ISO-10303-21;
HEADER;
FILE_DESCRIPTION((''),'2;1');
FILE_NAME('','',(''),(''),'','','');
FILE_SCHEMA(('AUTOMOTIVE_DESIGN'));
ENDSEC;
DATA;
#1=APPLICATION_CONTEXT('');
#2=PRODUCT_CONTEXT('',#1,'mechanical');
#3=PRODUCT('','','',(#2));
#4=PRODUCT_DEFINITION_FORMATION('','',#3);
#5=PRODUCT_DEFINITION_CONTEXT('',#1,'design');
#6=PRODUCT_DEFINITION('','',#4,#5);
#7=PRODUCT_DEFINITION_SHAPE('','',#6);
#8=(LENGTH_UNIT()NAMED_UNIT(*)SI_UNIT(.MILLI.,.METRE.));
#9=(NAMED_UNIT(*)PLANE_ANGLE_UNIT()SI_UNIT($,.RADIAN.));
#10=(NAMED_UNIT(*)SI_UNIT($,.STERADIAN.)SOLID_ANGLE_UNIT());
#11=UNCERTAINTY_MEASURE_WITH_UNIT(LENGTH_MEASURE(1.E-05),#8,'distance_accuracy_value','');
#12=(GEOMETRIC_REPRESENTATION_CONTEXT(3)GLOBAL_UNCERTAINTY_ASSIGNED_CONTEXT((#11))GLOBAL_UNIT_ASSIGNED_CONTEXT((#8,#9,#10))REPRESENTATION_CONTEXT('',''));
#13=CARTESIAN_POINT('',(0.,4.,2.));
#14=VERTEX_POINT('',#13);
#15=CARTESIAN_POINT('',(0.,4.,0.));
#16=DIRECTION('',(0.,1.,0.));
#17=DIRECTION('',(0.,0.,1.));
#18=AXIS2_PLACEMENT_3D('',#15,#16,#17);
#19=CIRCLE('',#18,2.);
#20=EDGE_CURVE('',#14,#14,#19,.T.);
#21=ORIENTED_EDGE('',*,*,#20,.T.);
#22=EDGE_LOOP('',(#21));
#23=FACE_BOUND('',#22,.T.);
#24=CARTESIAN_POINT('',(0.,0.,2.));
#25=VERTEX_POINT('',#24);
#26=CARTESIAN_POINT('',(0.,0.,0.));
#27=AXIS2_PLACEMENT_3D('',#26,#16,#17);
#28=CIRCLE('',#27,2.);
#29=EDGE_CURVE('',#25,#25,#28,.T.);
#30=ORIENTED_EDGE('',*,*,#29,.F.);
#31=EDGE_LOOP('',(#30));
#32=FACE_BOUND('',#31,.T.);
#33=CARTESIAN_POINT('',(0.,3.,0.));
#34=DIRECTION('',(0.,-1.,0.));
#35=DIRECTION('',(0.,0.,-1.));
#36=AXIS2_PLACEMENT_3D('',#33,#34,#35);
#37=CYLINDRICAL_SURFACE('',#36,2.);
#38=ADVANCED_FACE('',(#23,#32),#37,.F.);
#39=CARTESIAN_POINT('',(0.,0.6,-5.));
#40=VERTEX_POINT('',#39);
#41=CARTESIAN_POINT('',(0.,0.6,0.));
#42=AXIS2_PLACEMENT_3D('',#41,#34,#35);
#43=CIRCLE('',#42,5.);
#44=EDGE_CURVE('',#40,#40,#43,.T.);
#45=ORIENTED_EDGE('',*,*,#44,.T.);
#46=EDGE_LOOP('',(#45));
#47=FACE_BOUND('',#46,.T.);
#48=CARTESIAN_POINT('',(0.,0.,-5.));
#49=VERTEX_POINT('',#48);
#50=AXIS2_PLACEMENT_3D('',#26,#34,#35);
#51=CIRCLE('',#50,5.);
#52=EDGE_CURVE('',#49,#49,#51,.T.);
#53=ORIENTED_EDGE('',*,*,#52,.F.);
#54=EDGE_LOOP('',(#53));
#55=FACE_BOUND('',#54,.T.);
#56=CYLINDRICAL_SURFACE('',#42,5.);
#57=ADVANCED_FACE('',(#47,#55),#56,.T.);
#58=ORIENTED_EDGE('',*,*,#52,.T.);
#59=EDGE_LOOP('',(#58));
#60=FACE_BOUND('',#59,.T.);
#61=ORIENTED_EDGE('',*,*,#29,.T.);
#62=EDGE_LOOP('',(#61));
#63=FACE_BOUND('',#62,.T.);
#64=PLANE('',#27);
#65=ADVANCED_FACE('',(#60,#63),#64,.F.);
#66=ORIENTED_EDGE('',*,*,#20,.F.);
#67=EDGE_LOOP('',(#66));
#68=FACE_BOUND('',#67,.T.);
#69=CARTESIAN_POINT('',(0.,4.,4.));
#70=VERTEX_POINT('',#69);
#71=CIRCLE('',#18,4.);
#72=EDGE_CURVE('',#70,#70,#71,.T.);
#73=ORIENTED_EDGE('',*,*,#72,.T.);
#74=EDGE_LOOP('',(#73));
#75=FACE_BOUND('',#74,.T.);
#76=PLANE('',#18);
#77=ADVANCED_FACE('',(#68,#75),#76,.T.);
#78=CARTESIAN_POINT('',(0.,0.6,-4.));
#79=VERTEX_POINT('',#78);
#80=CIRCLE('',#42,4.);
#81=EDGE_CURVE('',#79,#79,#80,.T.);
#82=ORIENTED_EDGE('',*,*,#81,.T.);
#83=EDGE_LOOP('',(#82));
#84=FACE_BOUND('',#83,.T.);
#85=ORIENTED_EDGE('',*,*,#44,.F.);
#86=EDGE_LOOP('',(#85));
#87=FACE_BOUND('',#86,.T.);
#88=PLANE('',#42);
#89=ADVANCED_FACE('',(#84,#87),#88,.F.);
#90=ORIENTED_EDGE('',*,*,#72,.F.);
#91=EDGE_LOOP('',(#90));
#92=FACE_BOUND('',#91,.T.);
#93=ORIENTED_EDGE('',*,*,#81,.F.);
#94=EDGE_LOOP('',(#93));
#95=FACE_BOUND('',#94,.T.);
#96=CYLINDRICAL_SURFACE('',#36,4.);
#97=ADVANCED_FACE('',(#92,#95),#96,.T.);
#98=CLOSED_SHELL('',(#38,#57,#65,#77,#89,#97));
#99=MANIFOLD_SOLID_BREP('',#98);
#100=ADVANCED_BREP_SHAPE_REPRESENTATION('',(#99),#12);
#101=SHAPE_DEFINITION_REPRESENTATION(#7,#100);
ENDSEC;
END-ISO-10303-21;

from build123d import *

# Parameters (mm, degrees)
SKETCH_1_R      = 4
SKETCH_1_R_2    = 2
EXTRUDE_1_DEPTH = 3
SKETCH_2_R      = 5
SKETCH_2_R_2    = 2
EXTRUDE_2_DEPTH = 0.6
SKETCH_3_R      = 4
SKETCH_3_R_2    = 2
EXTRUDE_3_DEPTH = 1


with BuildPart() as part:
    # 草图1 → 凸台-拉伸1 (new body)
    with BuildSketch(Plane(origin=(0, 0, 0), x_dir=(1, 0, 0), z_dir=(0, 1, 0))):
        with Locations(Location((0, 0, 0), (0, 0, 270))):
            Circle(SKETCH_1_R)
        with Locations(Location((0, 0, 0), (0, 0, 270))):
            Circle(SKETCH_1_R_2, mode=Mode.SUBTRACT)
    extrude(amount=EXTRUDE_1_DEPTH)

    # 草图2 → 凸台-拉伸2 (add)
    with BuildSketch(Plane.XZ):
        with Locations(Location((0, 0, 0), (0, 0, 270))):
            Circle(SKETCH_2_R)
        with Locations(Location((0, 0, 0), (0, 0, 90))):
            Circle(SKETCH_2_R_2, mode=Mode.SUBTRACT)
    extrude(amount=-EXTRUDE_2_DEPTH)

    # 草图3 → 凸台-拉伸3 (add)
    with BuildSketch(Plane(origin=(0, 3, 0), x_dir=(1, 0, 0), z_dir=(0, 1, 0))):
        with Locations(Location((0, 0, 0), (0, 0, 90))):
            Circle(SKETCH_3_R)
        with Locations(Location((0, 0, 0), (0, 0, 270))):
            Circle(SKETCH_3_R_2, mode=Mode.SUBTRACT)
    extrude(amount=EXTRUDE_3_DEPTH)


solid = part.part
